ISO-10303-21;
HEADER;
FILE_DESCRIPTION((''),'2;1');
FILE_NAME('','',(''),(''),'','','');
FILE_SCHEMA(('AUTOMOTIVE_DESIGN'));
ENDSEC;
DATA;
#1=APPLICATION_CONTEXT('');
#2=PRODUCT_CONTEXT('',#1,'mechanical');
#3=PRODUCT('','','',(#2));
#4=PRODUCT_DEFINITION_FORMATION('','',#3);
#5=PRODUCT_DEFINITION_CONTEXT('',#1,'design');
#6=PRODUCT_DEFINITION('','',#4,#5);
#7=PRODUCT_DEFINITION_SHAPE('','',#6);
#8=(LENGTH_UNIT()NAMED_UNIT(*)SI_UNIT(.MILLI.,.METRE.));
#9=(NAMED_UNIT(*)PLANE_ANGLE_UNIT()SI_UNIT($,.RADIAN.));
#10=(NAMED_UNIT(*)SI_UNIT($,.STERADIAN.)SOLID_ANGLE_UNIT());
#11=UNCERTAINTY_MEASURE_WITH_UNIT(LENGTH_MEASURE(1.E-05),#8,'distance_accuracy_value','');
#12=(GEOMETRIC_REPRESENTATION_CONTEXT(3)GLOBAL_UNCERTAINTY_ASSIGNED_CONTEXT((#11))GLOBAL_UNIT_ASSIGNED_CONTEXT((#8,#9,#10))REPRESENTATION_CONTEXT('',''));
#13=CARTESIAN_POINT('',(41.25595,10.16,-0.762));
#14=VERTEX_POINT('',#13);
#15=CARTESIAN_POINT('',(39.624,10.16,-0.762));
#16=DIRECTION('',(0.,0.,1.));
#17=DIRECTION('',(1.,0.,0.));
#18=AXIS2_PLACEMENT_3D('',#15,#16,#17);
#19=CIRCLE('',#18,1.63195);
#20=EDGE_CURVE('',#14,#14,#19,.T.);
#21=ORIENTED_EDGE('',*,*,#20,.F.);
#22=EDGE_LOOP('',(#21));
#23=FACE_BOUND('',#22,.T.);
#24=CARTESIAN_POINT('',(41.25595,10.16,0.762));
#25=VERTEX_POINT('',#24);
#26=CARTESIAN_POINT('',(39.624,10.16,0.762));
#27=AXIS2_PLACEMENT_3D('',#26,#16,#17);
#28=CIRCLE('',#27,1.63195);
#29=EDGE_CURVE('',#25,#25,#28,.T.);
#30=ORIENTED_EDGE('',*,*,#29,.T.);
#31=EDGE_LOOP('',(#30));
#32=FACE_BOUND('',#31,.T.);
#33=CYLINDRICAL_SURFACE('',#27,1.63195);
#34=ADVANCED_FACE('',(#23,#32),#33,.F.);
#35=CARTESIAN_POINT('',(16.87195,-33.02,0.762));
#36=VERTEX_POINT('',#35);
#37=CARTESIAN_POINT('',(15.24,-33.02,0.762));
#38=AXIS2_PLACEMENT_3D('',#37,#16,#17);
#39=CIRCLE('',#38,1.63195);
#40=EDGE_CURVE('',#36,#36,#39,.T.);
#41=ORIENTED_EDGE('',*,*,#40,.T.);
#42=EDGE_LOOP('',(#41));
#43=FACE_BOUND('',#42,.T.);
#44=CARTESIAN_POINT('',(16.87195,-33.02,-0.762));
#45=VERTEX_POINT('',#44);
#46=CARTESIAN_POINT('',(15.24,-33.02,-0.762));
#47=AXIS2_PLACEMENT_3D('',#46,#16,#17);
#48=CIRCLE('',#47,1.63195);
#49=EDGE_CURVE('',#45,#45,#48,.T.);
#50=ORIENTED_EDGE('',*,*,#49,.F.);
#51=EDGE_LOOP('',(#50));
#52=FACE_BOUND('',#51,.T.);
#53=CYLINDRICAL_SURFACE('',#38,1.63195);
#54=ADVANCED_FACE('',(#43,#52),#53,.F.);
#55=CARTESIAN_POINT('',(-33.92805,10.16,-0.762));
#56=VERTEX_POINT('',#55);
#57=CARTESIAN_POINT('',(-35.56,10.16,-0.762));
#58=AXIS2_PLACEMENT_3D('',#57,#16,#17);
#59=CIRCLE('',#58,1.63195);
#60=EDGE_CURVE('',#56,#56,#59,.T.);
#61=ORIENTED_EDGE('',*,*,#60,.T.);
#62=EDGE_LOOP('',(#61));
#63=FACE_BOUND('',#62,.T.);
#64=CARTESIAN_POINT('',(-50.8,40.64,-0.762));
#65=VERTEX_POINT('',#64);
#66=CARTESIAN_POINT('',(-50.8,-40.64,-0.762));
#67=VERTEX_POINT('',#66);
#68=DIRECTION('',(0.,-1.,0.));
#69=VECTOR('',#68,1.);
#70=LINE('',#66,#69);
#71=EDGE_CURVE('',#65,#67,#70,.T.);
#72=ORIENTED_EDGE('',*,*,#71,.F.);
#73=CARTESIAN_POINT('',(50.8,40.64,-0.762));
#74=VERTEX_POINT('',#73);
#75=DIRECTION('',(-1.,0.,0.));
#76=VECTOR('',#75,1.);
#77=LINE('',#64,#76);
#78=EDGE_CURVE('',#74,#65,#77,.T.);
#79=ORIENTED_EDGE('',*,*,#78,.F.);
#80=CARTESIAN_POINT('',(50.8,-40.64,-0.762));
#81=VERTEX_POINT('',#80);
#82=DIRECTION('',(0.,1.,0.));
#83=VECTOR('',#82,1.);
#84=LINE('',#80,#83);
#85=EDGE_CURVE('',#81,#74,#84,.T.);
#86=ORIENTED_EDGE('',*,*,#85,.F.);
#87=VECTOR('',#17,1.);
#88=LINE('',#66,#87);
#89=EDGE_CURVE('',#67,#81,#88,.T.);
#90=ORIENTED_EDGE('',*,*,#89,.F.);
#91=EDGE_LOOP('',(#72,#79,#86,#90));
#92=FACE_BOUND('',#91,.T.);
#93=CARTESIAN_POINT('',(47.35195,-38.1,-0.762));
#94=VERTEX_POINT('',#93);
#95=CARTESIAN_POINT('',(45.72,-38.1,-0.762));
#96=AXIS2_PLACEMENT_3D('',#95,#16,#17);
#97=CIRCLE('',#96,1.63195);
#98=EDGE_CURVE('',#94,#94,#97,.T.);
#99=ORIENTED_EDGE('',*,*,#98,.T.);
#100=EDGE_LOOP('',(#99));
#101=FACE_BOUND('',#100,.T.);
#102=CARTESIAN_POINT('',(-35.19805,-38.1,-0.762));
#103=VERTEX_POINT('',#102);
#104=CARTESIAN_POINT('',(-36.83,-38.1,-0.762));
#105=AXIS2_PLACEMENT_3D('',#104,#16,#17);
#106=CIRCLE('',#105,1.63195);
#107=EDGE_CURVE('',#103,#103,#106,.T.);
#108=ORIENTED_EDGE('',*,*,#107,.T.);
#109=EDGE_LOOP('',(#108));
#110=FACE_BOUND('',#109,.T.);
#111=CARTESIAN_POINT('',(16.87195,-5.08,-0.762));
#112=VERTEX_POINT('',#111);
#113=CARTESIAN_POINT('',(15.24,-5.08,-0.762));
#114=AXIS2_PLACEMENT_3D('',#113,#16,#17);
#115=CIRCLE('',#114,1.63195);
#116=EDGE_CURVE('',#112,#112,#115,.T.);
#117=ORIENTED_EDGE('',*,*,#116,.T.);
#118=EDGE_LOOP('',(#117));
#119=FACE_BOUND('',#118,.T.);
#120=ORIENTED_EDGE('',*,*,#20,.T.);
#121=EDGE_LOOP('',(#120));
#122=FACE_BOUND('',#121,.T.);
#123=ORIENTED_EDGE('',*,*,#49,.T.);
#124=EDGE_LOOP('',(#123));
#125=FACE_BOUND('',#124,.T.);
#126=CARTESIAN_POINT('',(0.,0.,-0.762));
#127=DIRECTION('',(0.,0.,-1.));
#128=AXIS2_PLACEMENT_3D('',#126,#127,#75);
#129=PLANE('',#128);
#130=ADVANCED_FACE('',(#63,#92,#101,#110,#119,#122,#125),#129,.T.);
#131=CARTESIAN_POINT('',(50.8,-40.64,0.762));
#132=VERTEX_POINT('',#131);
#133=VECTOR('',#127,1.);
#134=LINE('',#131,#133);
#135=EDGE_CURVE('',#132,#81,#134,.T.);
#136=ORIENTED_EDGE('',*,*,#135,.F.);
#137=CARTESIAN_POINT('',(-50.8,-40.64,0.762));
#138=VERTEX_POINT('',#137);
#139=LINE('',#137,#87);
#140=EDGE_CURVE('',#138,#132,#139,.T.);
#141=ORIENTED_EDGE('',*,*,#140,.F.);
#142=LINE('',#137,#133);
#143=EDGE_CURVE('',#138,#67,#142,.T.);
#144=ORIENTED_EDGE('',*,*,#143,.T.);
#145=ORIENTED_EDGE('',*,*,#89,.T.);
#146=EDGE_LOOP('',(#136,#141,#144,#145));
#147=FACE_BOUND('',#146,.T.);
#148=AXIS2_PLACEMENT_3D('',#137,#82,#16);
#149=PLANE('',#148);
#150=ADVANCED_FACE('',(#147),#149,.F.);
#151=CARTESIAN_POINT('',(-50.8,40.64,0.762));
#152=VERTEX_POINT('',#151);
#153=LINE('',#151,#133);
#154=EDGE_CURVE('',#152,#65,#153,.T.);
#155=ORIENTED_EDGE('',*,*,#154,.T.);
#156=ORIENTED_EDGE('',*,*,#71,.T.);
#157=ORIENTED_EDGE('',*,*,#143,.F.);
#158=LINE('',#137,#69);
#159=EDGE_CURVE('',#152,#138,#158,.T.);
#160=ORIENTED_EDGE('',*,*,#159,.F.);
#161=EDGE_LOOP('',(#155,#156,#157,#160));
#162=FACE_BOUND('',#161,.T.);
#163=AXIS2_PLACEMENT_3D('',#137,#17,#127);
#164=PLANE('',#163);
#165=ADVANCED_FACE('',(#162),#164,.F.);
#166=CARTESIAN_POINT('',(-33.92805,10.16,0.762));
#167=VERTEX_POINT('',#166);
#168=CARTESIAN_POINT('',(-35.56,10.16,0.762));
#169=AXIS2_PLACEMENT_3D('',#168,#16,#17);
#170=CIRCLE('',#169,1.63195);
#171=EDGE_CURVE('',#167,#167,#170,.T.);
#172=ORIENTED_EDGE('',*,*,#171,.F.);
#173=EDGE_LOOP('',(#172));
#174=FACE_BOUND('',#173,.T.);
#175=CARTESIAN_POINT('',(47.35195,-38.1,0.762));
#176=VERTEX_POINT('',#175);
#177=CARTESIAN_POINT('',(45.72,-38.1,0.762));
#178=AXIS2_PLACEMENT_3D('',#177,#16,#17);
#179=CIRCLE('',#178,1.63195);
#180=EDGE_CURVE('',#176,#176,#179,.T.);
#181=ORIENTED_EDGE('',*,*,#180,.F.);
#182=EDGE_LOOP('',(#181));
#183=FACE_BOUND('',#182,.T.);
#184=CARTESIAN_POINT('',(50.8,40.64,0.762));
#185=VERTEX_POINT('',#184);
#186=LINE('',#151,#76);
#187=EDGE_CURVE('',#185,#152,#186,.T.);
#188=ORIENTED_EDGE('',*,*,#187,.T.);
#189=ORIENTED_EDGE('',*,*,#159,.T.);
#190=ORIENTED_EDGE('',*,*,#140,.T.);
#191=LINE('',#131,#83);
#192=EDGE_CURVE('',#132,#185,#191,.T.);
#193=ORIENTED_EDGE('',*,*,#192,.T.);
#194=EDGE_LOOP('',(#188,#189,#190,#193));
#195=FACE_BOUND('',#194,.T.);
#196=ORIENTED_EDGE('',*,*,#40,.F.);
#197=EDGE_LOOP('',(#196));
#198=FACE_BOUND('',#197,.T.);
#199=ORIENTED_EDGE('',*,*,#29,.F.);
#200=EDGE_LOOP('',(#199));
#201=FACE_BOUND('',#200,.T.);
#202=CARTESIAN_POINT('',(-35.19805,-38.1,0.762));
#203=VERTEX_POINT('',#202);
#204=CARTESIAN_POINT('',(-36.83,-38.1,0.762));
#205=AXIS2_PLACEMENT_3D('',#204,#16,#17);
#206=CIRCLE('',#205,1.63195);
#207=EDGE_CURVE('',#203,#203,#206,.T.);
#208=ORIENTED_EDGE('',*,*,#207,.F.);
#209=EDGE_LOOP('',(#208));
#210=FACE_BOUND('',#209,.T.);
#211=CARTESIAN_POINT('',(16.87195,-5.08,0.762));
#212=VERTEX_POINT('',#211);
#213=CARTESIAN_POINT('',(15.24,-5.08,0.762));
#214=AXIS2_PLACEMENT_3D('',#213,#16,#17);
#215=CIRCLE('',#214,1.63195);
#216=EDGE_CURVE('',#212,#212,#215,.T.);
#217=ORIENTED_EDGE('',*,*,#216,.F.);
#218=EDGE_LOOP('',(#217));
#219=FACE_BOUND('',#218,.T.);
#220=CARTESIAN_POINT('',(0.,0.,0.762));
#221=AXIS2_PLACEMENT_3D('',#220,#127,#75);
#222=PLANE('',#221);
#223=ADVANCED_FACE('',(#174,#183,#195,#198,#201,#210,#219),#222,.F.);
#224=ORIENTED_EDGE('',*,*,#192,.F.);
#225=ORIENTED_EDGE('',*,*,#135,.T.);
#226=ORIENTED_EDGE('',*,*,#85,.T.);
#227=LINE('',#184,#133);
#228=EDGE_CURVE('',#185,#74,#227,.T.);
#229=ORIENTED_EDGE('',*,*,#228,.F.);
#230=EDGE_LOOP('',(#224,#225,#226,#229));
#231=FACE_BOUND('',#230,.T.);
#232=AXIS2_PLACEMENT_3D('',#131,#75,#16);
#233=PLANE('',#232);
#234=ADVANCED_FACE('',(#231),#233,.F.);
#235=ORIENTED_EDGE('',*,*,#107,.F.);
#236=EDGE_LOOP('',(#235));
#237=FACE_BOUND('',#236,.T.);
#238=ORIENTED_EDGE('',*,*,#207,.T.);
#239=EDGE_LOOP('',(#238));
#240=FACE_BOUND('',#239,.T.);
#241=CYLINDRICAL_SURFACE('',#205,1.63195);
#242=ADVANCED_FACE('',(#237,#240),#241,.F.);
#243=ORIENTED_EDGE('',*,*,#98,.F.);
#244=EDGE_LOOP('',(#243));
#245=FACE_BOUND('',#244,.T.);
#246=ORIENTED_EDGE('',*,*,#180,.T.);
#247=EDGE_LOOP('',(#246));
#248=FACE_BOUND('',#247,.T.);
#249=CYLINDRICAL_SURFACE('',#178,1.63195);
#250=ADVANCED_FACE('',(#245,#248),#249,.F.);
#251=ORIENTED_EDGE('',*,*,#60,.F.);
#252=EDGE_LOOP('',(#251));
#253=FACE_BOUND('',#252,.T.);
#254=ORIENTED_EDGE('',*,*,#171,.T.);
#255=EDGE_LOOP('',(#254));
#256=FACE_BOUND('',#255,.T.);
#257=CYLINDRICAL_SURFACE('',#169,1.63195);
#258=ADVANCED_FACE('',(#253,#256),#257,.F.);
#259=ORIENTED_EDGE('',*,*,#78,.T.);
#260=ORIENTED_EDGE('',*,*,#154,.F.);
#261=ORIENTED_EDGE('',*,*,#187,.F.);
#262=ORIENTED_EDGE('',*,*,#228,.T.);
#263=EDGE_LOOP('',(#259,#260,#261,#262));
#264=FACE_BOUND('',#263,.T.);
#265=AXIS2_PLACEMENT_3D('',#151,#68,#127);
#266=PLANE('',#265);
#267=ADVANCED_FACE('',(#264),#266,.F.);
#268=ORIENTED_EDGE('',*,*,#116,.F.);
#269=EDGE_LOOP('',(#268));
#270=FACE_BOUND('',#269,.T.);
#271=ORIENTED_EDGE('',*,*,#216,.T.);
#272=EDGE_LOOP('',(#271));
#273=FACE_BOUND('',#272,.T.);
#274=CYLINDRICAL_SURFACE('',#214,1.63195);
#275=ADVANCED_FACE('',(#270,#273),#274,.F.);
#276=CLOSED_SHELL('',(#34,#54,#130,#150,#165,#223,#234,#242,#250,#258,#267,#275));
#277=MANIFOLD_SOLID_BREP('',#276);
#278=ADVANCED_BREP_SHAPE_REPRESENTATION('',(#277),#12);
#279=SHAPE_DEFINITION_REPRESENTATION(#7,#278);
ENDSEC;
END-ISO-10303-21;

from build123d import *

# Parameters (mm, degrees)
SKETCH1_W             = 101.6
SKETCH1_H             = 81.28
BOSS_EXTRUDE1_DEPTH   = 0.762
F_4_CLEARANCE_HOLE1_D = 3.2639


with BuildPart() as part:
    # Sketch1 → Boss-Extrude1 (new, symmetric)
    with BuildSketch(Plane.XY):
        Rectangle(SKETCH1_W, SKETCH1_H)
    extrude(amount=BOSS_EXTRUDE1_DEPTH, both=True)

    # #4 Clearance Hole1 (through all)
    with Locations(Plane.XY.offset(0.762)):
        with Locations((-36.83, -38.1), (15.24, -33.02), (15.24, -5.08), (45.72, -38.1), (-35.56, 10.16), (39.624, 10.16)):
            Hole(F_4_CLEARANCE_HOLE1_D / 2)


solid = part.part
